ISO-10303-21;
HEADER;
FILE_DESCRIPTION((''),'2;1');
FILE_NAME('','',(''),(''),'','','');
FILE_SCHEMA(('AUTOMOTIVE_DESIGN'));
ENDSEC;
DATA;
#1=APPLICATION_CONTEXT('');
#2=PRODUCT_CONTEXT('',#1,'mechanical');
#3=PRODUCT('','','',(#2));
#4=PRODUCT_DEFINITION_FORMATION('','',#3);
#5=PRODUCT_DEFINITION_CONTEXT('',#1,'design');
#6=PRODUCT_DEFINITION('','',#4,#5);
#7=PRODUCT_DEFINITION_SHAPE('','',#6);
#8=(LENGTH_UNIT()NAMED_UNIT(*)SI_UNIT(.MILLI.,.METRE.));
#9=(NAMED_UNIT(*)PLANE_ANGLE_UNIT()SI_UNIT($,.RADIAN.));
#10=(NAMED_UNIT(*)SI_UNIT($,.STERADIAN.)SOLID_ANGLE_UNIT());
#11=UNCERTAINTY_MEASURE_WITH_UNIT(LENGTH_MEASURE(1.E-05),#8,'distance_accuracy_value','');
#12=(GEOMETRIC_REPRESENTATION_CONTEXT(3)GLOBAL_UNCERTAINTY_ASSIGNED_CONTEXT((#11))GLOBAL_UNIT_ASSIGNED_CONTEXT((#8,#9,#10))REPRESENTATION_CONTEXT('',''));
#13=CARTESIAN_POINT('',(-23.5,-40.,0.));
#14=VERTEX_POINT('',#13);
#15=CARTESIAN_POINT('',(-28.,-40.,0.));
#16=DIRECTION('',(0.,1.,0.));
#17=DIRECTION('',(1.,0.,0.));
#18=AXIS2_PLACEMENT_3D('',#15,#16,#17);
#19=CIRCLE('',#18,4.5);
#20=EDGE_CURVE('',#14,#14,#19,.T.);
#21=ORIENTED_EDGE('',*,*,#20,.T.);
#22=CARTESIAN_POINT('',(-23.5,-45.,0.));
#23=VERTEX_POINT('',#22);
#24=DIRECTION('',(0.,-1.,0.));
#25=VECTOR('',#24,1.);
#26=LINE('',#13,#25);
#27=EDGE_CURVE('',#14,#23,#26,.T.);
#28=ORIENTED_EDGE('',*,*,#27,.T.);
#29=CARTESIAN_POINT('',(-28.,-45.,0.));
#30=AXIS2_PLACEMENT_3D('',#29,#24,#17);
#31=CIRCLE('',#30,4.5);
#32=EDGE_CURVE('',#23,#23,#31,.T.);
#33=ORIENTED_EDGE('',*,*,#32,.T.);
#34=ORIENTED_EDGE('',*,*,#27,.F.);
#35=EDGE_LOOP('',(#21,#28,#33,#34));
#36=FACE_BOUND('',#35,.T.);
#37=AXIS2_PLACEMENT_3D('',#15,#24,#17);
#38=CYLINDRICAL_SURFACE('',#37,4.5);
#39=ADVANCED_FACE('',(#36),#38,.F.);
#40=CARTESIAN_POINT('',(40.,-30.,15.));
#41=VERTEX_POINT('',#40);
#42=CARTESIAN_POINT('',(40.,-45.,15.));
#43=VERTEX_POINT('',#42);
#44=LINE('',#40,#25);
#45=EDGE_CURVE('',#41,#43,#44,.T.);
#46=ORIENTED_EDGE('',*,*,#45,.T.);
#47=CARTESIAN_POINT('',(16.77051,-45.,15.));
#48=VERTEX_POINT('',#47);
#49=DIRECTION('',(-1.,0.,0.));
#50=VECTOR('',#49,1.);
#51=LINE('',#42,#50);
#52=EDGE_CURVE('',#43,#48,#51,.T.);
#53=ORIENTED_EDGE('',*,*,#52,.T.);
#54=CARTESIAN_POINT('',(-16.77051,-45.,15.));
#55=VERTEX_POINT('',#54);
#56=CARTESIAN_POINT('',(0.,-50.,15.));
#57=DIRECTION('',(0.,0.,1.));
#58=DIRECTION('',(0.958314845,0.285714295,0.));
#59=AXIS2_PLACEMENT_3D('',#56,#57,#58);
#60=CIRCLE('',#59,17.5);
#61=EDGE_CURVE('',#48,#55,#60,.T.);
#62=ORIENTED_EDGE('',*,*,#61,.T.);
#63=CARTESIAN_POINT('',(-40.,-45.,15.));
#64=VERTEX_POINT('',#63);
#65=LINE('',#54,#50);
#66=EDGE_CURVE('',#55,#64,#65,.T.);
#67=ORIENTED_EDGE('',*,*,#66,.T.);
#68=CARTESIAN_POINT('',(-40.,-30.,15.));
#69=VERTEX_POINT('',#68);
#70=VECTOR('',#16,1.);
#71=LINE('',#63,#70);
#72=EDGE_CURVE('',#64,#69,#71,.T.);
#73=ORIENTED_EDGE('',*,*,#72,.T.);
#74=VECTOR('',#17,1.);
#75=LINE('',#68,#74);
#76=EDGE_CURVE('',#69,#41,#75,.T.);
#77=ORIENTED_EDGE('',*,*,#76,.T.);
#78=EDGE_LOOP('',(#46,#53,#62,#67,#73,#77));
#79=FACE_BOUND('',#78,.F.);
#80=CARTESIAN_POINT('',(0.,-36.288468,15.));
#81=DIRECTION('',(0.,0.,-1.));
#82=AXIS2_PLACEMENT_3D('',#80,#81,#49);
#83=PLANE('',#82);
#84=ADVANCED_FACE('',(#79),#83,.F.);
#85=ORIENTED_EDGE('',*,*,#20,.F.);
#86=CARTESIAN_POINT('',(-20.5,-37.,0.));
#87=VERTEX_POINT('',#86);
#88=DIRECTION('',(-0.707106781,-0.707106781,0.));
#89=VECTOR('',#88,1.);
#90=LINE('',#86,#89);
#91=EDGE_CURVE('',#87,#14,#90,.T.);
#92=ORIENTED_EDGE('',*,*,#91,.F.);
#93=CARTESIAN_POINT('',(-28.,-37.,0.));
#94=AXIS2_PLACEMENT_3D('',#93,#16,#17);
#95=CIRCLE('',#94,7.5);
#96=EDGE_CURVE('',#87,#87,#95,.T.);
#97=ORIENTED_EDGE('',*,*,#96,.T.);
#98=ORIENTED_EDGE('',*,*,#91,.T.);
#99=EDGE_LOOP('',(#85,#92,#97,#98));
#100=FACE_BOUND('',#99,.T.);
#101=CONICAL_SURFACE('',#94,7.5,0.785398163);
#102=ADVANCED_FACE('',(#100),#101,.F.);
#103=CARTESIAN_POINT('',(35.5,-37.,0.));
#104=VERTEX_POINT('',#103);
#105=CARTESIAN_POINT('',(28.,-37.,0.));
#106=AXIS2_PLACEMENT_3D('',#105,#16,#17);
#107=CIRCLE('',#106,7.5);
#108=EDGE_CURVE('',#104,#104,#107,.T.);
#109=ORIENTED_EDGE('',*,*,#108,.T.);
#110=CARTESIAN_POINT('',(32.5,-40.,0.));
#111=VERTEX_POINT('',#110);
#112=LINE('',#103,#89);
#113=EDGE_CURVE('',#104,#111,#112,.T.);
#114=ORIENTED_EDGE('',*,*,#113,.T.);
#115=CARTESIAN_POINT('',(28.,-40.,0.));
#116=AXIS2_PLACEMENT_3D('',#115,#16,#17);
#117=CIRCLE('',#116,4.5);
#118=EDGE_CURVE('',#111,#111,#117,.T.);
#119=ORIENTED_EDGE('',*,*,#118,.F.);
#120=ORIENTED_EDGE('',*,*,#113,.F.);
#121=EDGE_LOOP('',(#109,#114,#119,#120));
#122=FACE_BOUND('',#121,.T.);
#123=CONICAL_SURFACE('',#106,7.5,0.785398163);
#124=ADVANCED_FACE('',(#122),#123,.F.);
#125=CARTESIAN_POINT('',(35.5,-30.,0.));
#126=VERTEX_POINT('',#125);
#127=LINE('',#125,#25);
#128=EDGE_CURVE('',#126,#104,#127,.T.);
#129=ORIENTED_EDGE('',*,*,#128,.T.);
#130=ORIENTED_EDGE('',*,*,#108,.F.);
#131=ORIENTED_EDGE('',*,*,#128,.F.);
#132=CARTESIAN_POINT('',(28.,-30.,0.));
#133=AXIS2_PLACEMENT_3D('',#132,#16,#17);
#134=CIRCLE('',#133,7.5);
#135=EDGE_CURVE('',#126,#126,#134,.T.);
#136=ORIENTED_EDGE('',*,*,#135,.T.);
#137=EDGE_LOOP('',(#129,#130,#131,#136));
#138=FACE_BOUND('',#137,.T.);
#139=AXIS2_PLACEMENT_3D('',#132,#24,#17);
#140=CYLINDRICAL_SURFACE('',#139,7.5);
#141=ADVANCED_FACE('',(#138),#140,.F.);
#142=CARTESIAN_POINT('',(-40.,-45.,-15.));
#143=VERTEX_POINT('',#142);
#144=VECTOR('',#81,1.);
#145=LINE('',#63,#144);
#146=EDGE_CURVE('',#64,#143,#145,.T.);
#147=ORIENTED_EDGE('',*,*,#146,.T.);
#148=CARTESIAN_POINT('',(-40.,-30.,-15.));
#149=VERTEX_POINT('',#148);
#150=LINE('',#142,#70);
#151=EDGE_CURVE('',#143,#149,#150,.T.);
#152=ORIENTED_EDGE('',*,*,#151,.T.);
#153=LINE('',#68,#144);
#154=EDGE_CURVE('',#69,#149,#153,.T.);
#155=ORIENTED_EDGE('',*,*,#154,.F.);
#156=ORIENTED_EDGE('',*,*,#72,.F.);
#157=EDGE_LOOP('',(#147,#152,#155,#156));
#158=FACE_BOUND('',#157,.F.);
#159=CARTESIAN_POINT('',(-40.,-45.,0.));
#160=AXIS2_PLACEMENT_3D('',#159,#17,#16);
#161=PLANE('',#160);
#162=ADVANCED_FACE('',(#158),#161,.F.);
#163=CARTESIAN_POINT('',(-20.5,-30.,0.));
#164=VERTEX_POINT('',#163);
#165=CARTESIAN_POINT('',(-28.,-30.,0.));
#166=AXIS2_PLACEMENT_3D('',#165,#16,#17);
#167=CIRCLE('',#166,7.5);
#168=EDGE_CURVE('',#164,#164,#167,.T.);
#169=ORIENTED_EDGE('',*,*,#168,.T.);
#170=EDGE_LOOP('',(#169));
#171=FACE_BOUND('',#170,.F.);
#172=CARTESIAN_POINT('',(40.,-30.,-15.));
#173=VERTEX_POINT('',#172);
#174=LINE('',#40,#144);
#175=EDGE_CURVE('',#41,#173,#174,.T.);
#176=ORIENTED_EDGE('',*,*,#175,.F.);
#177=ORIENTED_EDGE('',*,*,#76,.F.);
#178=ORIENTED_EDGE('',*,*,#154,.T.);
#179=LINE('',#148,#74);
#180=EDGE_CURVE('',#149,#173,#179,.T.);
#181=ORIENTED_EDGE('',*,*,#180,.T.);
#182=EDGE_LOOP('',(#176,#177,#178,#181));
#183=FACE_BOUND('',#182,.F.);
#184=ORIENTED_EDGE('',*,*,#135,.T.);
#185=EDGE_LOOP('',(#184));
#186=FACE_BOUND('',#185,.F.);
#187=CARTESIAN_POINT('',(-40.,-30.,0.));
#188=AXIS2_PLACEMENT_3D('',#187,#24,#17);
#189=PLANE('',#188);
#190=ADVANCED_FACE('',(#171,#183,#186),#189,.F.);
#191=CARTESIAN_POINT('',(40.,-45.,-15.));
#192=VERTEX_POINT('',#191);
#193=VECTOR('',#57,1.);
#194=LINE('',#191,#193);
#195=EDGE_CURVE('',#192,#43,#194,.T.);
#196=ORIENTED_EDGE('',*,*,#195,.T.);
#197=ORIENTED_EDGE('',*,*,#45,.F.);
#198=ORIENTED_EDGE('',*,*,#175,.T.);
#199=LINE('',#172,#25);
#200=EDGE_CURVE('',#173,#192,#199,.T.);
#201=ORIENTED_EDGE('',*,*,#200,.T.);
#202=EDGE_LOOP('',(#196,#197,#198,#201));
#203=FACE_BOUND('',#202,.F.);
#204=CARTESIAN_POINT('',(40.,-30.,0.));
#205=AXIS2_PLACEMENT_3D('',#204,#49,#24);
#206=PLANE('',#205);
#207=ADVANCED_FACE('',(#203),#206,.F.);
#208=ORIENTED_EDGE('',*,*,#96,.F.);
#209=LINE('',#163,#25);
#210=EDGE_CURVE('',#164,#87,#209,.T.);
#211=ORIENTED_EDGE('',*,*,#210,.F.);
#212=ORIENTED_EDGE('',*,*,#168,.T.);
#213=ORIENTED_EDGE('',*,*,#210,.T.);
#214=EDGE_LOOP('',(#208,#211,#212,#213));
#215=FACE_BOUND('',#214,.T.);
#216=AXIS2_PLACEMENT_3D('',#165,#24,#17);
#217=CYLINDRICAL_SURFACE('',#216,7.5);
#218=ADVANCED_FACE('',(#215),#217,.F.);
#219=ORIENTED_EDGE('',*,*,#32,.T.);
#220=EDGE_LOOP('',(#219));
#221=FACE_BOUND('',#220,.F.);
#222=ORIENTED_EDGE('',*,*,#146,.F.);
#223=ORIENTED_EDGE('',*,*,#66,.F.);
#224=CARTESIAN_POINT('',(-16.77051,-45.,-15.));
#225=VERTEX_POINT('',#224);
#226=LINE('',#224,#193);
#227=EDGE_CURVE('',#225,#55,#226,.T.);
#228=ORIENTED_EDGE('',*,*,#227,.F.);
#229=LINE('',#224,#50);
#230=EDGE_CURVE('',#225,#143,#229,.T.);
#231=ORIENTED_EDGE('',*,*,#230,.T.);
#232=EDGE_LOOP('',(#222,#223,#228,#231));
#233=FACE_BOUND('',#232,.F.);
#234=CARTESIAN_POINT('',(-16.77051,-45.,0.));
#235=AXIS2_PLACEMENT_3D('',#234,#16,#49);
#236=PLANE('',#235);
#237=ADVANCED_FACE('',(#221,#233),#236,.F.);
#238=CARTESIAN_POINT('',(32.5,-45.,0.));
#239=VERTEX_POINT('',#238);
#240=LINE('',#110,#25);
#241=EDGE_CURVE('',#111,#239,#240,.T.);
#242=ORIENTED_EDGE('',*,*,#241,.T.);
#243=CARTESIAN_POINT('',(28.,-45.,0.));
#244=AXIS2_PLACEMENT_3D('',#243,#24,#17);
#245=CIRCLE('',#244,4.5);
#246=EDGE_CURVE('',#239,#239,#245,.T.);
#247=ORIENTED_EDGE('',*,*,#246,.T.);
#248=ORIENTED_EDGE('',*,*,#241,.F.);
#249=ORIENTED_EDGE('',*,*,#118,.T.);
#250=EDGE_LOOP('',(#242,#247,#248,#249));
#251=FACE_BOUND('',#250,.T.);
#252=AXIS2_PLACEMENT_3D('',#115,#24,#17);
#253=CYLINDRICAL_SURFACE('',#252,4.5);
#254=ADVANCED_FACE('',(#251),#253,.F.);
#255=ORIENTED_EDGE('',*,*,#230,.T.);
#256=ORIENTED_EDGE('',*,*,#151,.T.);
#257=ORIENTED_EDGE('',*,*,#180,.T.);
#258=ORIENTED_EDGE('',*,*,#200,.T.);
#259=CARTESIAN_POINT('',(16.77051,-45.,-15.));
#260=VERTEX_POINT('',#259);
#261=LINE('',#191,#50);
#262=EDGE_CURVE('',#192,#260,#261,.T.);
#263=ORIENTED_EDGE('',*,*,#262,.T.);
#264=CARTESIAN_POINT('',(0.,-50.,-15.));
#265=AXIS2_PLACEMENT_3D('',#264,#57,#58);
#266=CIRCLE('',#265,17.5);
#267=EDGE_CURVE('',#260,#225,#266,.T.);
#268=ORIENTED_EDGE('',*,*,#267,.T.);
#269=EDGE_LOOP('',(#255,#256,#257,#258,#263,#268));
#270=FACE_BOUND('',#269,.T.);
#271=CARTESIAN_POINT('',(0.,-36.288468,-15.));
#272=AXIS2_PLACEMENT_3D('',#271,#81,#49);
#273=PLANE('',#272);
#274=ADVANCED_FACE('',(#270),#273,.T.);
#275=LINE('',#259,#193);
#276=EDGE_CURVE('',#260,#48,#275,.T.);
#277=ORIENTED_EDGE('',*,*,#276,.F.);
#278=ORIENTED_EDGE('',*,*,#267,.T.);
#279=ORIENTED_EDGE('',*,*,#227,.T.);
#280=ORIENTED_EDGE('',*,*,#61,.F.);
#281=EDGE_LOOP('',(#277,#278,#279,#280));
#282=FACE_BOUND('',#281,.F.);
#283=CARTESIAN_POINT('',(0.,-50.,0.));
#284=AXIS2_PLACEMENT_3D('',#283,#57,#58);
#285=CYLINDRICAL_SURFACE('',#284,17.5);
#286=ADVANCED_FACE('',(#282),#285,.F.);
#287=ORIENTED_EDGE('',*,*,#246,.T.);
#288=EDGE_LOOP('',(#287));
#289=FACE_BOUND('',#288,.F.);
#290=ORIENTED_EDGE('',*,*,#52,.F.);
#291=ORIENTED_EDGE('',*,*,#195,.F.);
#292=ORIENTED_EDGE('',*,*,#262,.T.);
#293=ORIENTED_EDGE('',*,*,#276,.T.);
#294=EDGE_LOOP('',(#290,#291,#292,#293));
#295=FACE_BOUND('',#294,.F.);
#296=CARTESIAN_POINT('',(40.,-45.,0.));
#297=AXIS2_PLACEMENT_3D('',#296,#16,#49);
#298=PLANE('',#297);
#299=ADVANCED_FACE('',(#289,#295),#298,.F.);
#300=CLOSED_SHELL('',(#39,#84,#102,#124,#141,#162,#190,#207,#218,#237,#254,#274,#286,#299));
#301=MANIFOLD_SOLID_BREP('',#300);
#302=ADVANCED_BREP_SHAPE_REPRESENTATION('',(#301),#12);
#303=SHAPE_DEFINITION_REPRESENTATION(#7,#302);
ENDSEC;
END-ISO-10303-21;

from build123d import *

# Parameters (mm, degrees)
PAD007_DEPTH = 15


with BuildPart() as part:
    # Sketch007 → Pad007 (new body, symmetric)
    with BuildSketch(Plane.XY):
        with BuildLine():
            Line((-16.77051, -15), (-40, -15))
            Line((-40, -15), (-40, 0))
            Line((-40, 0), (40, 0))
            Line((40, 0), (40, -15))
            Line((40, -15), (16.77051, -15))
            ThreePointArc((16.77051, -15), (0, -2.5), (-16.77051, -15))
        make_face()
    extrude(amount=PAD007_DEPTH, both=True)

    # Sketch017 → Groove (revolve, cut)
    with BuildSketch(Plane(origin=(28, 0, 0), x_dir=(1, 0, 0), z_dir=(0, 0, 1))):
        Polygon((0, 0), (7.5, 0), (7.5, -7), (4.5, -10), (4.5, -27), (0, -27), align=None)
    revolve(axis=Axis((28, 0, 0), (0, 1, 0)), mode=Mode.SUBTRACT)

    # Sketch018 → Groove001 (revolve, cut)
    with BuildSketch(Plane(origin=(-28, 0, 0), x_dir=(1, 0, 0), z_dir=(0, 0, 1))):
        Polygon((0, 0), (7.5, 0), (7.5, -7), (4.5, -10), (4.5, -30), (0, -30), align=None)
    revolve(axis=Axis((-28, 0, 0), (0, 1, 0)), mode=Mode.SUBTRACT)


with BuildPart() as part_1:
    # Body007 placement: moved
    add(part.part.moved(Location((0, -30, 0))))


solid = part_1.part
